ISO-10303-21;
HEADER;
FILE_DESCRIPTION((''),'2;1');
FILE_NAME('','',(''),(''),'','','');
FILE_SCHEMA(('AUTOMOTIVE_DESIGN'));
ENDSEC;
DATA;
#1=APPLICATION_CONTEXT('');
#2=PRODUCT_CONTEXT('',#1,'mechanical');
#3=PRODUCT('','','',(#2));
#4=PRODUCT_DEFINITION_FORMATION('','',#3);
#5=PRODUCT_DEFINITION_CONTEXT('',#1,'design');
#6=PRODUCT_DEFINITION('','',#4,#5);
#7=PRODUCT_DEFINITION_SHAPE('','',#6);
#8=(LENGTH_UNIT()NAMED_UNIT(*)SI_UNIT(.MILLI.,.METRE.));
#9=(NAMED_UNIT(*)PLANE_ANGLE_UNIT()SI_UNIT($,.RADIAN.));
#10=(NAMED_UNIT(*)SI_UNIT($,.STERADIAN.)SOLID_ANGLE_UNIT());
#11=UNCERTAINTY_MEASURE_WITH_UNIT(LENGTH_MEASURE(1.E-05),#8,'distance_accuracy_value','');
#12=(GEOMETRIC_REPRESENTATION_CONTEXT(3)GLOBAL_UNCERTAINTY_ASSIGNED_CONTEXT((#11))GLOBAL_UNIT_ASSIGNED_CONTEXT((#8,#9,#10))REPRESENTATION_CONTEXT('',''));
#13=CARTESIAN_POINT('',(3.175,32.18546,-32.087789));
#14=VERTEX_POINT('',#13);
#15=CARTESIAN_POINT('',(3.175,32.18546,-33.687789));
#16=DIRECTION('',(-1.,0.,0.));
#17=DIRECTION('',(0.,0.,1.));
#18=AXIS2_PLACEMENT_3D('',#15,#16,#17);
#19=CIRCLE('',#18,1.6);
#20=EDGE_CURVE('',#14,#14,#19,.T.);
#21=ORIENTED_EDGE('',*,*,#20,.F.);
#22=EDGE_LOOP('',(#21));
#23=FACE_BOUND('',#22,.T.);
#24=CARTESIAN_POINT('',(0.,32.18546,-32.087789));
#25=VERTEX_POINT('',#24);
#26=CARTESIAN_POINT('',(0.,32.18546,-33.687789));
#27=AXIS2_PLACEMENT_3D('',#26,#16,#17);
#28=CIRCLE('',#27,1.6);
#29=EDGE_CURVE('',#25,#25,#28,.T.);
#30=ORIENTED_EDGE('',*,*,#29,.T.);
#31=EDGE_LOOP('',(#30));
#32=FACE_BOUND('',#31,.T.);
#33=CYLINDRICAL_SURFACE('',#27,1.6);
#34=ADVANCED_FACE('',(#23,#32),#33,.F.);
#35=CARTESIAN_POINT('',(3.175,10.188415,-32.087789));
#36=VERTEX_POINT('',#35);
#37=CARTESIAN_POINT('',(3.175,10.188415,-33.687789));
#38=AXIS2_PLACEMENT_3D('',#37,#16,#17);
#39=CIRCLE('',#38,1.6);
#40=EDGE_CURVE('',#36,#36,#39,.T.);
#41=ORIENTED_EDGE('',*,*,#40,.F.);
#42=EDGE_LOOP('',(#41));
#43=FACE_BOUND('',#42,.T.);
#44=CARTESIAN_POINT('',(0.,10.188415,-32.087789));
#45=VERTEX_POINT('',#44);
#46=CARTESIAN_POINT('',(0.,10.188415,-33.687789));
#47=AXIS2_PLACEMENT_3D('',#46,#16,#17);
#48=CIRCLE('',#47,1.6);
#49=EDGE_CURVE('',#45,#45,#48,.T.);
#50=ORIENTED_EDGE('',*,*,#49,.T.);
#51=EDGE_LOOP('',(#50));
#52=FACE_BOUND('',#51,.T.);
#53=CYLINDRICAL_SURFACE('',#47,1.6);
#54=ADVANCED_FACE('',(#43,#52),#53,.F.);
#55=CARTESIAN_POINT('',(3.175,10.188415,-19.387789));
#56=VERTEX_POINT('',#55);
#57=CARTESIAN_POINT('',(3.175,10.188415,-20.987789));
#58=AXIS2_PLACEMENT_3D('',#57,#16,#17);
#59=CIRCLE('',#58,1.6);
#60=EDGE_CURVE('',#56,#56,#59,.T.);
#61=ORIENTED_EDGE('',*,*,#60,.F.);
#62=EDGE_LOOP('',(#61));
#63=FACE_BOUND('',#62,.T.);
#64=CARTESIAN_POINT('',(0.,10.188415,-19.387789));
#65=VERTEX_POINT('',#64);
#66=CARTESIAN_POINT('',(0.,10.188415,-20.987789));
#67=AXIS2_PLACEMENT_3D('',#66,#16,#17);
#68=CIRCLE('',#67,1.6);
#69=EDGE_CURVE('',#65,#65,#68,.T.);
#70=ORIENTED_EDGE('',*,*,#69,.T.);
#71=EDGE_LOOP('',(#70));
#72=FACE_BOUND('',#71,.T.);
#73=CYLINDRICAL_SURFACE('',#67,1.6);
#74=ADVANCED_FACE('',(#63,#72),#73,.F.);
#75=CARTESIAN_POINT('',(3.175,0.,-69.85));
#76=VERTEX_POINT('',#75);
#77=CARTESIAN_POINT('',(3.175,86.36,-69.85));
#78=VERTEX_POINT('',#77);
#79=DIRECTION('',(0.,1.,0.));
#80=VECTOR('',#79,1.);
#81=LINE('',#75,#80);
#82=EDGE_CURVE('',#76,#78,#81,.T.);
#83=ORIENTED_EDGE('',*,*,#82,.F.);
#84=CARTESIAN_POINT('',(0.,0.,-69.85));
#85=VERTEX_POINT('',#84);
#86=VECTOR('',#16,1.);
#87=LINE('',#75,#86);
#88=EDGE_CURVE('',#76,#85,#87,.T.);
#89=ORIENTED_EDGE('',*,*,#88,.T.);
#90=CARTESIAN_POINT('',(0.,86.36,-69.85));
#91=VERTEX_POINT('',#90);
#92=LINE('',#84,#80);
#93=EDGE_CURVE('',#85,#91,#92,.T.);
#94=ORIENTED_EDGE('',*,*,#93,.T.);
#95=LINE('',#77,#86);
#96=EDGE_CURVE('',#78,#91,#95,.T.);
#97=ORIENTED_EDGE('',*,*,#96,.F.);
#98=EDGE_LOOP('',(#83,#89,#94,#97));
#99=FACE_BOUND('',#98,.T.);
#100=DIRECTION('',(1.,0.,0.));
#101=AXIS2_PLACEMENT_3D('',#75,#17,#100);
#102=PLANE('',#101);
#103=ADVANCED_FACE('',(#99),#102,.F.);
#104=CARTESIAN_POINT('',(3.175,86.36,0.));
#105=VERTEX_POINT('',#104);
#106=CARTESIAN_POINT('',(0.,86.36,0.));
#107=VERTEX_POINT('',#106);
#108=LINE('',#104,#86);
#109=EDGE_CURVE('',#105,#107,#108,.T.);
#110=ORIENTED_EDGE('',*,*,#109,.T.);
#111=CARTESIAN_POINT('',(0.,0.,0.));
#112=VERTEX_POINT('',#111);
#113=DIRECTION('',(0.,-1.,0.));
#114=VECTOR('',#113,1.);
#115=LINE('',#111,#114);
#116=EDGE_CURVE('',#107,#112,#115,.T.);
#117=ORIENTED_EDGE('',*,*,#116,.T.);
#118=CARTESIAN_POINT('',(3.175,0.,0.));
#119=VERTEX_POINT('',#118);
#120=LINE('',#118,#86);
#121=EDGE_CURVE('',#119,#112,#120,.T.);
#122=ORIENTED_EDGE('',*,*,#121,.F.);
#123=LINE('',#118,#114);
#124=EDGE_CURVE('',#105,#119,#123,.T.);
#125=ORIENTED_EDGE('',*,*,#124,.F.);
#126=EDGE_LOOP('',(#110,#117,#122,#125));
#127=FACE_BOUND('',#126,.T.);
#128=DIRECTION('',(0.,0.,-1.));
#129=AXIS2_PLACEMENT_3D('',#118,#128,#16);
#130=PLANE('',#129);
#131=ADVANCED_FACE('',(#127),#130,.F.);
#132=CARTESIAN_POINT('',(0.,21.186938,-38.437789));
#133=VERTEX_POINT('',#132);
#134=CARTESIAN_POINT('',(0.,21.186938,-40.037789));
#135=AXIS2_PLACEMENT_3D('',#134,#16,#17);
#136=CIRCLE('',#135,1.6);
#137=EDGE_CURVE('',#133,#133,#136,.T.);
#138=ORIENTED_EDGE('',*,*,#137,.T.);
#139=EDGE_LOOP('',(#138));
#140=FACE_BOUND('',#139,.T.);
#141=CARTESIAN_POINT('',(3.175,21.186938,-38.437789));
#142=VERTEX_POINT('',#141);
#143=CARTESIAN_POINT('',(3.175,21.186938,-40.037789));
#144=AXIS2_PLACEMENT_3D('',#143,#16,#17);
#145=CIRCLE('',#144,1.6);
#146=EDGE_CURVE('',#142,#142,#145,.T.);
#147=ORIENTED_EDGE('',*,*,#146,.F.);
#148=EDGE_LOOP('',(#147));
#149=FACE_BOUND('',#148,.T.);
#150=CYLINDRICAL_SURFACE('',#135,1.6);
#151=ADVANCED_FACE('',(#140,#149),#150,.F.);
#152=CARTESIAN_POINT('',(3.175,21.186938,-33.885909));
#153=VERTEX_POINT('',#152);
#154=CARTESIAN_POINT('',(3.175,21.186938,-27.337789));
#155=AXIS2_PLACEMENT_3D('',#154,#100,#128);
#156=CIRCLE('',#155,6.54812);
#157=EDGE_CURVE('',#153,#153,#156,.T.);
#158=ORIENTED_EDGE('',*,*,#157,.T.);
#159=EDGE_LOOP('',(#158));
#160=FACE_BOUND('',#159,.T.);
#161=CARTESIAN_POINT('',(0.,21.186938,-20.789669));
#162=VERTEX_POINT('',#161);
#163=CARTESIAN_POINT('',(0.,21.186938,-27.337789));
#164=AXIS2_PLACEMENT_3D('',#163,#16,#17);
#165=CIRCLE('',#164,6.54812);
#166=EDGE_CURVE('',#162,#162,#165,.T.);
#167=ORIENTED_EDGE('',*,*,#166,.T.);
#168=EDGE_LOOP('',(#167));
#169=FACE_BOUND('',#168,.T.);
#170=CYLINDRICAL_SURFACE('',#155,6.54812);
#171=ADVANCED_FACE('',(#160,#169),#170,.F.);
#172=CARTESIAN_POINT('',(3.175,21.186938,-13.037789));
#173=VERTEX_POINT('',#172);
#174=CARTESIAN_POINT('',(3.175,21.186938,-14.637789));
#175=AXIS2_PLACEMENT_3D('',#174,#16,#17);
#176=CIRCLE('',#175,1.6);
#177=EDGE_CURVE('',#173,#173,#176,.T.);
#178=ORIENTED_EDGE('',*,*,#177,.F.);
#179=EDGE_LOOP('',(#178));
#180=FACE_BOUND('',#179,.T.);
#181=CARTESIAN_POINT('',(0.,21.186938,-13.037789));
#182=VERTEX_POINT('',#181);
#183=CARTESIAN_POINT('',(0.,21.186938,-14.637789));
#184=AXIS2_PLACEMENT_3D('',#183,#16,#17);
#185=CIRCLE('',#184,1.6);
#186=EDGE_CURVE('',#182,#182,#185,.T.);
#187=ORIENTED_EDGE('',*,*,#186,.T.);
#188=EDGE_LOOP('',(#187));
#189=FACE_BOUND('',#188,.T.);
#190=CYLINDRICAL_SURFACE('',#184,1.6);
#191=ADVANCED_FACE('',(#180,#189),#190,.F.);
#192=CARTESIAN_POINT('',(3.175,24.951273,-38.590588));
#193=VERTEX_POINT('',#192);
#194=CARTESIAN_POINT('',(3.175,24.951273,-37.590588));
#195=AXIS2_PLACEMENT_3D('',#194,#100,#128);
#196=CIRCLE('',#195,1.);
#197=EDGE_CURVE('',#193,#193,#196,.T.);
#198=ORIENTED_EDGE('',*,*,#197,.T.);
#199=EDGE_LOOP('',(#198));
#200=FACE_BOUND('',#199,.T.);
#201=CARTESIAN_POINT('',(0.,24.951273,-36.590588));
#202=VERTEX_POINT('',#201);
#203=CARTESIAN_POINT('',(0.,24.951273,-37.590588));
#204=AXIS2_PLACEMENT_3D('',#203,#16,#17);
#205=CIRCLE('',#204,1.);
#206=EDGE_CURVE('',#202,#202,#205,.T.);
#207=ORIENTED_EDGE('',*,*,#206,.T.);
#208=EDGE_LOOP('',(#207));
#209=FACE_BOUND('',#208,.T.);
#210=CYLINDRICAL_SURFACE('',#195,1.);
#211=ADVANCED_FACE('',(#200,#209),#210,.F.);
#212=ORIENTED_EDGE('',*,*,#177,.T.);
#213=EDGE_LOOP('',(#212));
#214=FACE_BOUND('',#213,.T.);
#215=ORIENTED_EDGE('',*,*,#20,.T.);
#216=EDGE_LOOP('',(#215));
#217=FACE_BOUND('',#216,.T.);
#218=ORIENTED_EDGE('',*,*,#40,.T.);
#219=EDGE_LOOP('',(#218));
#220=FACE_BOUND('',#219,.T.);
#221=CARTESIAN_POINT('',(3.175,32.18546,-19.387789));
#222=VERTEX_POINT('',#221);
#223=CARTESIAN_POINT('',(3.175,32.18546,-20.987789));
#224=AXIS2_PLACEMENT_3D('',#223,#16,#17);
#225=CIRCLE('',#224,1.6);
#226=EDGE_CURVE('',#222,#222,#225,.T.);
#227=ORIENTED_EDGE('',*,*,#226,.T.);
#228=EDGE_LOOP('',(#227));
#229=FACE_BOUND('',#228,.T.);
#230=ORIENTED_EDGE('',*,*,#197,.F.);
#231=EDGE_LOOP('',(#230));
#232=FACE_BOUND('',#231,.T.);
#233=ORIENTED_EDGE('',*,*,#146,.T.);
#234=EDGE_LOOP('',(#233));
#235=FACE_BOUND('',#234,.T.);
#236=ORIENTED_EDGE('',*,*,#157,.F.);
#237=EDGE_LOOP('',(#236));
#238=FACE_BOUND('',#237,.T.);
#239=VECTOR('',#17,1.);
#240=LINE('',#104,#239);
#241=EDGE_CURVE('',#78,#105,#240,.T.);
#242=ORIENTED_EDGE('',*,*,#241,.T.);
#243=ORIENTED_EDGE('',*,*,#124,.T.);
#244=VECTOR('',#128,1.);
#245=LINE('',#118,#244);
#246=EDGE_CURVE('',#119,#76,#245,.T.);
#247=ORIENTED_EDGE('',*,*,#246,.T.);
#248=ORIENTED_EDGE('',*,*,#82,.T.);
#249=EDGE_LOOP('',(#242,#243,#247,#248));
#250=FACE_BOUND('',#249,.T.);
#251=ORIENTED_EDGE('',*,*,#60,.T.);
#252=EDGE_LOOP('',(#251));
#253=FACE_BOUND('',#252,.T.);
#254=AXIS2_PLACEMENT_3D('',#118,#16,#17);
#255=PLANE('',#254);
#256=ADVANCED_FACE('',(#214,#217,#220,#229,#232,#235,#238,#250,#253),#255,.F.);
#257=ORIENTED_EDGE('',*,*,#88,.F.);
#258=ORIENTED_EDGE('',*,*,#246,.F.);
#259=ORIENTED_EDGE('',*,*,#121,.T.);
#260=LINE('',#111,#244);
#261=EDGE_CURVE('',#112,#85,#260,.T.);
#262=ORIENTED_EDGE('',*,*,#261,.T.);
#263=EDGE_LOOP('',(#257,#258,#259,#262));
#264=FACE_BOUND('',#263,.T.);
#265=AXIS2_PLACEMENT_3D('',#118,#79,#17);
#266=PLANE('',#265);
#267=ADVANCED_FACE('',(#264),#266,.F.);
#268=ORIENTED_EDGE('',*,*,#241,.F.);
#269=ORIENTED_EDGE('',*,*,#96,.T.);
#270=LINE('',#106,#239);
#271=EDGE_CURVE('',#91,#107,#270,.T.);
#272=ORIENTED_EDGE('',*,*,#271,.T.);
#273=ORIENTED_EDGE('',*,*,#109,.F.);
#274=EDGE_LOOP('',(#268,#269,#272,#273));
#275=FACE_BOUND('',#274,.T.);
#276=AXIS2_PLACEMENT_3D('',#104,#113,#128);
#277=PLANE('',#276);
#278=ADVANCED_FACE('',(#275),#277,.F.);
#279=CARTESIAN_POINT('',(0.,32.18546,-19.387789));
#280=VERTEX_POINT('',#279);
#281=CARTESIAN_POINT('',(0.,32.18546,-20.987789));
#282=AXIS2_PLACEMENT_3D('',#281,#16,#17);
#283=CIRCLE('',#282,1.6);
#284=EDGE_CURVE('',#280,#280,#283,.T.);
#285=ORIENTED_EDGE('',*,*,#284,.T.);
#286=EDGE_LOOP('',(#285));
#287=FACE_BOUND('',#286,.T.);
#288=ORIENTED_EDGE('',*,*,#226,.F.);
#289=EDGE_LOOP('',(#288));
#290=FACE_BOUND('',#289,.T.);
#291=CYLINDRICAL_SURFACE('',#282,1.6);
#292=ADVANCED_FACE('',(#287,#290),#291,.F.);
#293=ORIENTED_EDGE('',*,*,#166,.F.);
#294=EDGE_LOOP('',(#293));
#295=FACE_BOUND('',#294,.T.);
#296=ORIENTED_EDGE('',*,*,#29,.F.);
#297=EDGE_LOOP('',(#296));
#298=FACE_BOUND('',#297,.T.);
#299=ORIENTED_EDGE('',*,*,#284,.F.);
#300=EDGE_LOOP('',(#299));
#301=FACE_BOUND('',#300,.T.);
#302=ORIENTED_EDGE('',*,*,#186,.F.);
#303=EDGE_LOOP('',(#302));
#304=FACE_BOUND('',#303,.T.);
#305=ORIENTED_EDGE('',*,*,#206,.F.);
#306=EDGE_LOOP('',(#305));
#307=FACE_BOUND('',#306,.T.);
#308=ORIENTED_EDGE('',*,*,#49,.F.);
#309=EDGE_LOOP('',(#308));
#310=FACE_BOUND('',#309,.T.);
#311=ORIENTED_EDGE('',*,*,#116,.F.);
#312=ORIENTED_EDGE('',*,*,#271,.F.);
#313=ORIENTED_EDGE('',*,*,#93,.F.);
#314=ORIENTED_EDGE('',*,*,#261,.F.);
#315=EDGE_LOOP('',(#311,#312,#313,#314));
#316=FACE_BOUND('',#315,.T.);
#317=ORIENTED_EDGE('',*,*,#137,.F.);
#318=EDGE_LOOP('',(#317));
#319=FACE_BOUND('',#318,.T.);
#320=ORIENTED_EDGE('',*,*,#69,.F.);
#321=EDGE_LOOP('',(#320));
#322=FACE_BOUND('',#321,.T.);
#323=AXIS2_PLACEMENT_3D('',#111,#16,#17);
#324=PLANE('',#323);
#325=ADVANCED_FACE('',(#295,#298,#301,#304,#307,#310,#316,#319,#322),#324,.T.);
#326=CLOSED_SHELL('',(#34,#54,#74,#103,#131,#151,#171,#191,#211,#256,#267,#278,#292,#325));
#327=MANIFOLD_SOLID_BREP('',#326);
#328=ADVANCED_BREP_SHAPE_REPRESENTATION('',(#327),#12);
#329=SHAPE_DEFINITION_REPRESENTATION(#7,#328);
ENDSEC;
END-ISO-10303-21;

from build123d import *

# Parameters (mm, degrees)
SKETCH1_W                           = 69.85
SKETCH1_H                           = 86.36
BOSS_EXTRUDE1_DEPTH                 = 3.175
F_1_2_CLEARANCE_HOLE1_D             = 13.09624
F_1_2_CLEARANCE_HOLE1_DEPTH         = 25.4
F_1_2_CLEARANCE_HOLE1_TIP           = 3.934507437
M3_CLEARANCE_HOLE1_D                = 3.2
M3_CLEARANCE_HOLE1_DEPTH            = 25.4
M3_CLEARANCE_HOLE1_TIP              = 0.96137699
F_2_0MM_CLEARANCE_DOWEL_HOLE1_D     = 2
F_2_0MM_CLEARANCE_DOWEL_HOLE1_DEPTH = 25.4
F_2_0MM_CLEARANCE_DOWEL_HOLE1_TIP   = 0.600860619


with BuildPart() as part:
    # Sketch1 → Boss-Extrude1 (new body)
    with BuildSketch(Plane(origin=(0, 0, 0), x_dir=(0, 0, -1), z_dir=(1, 0, 0))):
        with Locations((34.925, 43.18)):
            Rectangle(SKETCH1_W, SKETCH1_H)
    extrude(amount=BOSS_EXTRUDE1_DEPTH)

    # 1/2 Clearance Hole1
    with Locations(Plane(origin=(3.175, 0, 0), x_dir=(0, 0, -1), z_dir=(1, 0, 0))):
        with Locations((27.33778886, 21.18693756)):
            Hole(F_1_2_CLEARANCE_HOLE1_D / 2, depth=F_1_2_CLEARANCE_HOLE1_DEPTH)
            with Locations((0, 0, -(F_1_2_CLEARANCE_HOLE1_DEPTH + F_1_2_CLEARANCE_HOLE1_TIP / 2))):  # 118° drill point
                Cone(0, F_1_2_CLEARANCE_HOLE1_D / 2, F_1_2_CLEARANCE_HOLE1_TIP, mode=Mode.SUBTRACT)

    # M3 Clearance Hole1
    with Locations(Plane.ZY):
        with Locations((-40.03778886, 21.18693756), (-33.68778886, 32.185460188), (-20.98778886, 32.185460188), (-14.63778886, 21.18693756), (-20.98778886, 10.188414932), (-33.68778886, 10.188414932), (-27.33778886, 21.18693756)):
            Hole(M3_CLEARANCE_HOLE1_D / 2, depth=M3_CLEARANCE_HOLE1_DEPTH)
            with Locations((0, 0, -(M3_CLEARANCE_HOLE1_DEPTH + M3_CLEARANCE_HOLE1_TIP / 2))):  # 118° drill point
                Cone(0, M3_CLEARANCE_HOLE1_D / 2, M3_CLEARANCE_HOLE1_TIP, mode=Mode.SUBTRACT)

    # Ø2.0mm Clearance Dowel Hole1
    with Locations(Plane(origin=(3.175, 0, 0), x_dir=(0, 0, -1), z_dir=(1, 0, 0))):
        with Locations((37.59058776, 24.95127344)):
            Hole(F_2_0MM_CLEARANCE_DOWEL_HOLE1_D / 2, depth=F_2_0MM_CLEARANCE_DOWEL_HOLE1_DEPTH)
            with Locations((0, 0, -(F_2_0MM_CLEARANCE_DOWEL_HOLE1_DEPTH + F_2_0MM_CLEARANCE_DOWEL_HOLE1_TIP / 2))):  # 118° drill point
                Cone(0, F_2_0MM_CLEARANCE_DOWEL_HOLE1_D / 2, F_2_0MM_CLEARANCE_DOWEL_HOLE1_TIP, mode=Mode.SUBTRACT)


solid = part.part
